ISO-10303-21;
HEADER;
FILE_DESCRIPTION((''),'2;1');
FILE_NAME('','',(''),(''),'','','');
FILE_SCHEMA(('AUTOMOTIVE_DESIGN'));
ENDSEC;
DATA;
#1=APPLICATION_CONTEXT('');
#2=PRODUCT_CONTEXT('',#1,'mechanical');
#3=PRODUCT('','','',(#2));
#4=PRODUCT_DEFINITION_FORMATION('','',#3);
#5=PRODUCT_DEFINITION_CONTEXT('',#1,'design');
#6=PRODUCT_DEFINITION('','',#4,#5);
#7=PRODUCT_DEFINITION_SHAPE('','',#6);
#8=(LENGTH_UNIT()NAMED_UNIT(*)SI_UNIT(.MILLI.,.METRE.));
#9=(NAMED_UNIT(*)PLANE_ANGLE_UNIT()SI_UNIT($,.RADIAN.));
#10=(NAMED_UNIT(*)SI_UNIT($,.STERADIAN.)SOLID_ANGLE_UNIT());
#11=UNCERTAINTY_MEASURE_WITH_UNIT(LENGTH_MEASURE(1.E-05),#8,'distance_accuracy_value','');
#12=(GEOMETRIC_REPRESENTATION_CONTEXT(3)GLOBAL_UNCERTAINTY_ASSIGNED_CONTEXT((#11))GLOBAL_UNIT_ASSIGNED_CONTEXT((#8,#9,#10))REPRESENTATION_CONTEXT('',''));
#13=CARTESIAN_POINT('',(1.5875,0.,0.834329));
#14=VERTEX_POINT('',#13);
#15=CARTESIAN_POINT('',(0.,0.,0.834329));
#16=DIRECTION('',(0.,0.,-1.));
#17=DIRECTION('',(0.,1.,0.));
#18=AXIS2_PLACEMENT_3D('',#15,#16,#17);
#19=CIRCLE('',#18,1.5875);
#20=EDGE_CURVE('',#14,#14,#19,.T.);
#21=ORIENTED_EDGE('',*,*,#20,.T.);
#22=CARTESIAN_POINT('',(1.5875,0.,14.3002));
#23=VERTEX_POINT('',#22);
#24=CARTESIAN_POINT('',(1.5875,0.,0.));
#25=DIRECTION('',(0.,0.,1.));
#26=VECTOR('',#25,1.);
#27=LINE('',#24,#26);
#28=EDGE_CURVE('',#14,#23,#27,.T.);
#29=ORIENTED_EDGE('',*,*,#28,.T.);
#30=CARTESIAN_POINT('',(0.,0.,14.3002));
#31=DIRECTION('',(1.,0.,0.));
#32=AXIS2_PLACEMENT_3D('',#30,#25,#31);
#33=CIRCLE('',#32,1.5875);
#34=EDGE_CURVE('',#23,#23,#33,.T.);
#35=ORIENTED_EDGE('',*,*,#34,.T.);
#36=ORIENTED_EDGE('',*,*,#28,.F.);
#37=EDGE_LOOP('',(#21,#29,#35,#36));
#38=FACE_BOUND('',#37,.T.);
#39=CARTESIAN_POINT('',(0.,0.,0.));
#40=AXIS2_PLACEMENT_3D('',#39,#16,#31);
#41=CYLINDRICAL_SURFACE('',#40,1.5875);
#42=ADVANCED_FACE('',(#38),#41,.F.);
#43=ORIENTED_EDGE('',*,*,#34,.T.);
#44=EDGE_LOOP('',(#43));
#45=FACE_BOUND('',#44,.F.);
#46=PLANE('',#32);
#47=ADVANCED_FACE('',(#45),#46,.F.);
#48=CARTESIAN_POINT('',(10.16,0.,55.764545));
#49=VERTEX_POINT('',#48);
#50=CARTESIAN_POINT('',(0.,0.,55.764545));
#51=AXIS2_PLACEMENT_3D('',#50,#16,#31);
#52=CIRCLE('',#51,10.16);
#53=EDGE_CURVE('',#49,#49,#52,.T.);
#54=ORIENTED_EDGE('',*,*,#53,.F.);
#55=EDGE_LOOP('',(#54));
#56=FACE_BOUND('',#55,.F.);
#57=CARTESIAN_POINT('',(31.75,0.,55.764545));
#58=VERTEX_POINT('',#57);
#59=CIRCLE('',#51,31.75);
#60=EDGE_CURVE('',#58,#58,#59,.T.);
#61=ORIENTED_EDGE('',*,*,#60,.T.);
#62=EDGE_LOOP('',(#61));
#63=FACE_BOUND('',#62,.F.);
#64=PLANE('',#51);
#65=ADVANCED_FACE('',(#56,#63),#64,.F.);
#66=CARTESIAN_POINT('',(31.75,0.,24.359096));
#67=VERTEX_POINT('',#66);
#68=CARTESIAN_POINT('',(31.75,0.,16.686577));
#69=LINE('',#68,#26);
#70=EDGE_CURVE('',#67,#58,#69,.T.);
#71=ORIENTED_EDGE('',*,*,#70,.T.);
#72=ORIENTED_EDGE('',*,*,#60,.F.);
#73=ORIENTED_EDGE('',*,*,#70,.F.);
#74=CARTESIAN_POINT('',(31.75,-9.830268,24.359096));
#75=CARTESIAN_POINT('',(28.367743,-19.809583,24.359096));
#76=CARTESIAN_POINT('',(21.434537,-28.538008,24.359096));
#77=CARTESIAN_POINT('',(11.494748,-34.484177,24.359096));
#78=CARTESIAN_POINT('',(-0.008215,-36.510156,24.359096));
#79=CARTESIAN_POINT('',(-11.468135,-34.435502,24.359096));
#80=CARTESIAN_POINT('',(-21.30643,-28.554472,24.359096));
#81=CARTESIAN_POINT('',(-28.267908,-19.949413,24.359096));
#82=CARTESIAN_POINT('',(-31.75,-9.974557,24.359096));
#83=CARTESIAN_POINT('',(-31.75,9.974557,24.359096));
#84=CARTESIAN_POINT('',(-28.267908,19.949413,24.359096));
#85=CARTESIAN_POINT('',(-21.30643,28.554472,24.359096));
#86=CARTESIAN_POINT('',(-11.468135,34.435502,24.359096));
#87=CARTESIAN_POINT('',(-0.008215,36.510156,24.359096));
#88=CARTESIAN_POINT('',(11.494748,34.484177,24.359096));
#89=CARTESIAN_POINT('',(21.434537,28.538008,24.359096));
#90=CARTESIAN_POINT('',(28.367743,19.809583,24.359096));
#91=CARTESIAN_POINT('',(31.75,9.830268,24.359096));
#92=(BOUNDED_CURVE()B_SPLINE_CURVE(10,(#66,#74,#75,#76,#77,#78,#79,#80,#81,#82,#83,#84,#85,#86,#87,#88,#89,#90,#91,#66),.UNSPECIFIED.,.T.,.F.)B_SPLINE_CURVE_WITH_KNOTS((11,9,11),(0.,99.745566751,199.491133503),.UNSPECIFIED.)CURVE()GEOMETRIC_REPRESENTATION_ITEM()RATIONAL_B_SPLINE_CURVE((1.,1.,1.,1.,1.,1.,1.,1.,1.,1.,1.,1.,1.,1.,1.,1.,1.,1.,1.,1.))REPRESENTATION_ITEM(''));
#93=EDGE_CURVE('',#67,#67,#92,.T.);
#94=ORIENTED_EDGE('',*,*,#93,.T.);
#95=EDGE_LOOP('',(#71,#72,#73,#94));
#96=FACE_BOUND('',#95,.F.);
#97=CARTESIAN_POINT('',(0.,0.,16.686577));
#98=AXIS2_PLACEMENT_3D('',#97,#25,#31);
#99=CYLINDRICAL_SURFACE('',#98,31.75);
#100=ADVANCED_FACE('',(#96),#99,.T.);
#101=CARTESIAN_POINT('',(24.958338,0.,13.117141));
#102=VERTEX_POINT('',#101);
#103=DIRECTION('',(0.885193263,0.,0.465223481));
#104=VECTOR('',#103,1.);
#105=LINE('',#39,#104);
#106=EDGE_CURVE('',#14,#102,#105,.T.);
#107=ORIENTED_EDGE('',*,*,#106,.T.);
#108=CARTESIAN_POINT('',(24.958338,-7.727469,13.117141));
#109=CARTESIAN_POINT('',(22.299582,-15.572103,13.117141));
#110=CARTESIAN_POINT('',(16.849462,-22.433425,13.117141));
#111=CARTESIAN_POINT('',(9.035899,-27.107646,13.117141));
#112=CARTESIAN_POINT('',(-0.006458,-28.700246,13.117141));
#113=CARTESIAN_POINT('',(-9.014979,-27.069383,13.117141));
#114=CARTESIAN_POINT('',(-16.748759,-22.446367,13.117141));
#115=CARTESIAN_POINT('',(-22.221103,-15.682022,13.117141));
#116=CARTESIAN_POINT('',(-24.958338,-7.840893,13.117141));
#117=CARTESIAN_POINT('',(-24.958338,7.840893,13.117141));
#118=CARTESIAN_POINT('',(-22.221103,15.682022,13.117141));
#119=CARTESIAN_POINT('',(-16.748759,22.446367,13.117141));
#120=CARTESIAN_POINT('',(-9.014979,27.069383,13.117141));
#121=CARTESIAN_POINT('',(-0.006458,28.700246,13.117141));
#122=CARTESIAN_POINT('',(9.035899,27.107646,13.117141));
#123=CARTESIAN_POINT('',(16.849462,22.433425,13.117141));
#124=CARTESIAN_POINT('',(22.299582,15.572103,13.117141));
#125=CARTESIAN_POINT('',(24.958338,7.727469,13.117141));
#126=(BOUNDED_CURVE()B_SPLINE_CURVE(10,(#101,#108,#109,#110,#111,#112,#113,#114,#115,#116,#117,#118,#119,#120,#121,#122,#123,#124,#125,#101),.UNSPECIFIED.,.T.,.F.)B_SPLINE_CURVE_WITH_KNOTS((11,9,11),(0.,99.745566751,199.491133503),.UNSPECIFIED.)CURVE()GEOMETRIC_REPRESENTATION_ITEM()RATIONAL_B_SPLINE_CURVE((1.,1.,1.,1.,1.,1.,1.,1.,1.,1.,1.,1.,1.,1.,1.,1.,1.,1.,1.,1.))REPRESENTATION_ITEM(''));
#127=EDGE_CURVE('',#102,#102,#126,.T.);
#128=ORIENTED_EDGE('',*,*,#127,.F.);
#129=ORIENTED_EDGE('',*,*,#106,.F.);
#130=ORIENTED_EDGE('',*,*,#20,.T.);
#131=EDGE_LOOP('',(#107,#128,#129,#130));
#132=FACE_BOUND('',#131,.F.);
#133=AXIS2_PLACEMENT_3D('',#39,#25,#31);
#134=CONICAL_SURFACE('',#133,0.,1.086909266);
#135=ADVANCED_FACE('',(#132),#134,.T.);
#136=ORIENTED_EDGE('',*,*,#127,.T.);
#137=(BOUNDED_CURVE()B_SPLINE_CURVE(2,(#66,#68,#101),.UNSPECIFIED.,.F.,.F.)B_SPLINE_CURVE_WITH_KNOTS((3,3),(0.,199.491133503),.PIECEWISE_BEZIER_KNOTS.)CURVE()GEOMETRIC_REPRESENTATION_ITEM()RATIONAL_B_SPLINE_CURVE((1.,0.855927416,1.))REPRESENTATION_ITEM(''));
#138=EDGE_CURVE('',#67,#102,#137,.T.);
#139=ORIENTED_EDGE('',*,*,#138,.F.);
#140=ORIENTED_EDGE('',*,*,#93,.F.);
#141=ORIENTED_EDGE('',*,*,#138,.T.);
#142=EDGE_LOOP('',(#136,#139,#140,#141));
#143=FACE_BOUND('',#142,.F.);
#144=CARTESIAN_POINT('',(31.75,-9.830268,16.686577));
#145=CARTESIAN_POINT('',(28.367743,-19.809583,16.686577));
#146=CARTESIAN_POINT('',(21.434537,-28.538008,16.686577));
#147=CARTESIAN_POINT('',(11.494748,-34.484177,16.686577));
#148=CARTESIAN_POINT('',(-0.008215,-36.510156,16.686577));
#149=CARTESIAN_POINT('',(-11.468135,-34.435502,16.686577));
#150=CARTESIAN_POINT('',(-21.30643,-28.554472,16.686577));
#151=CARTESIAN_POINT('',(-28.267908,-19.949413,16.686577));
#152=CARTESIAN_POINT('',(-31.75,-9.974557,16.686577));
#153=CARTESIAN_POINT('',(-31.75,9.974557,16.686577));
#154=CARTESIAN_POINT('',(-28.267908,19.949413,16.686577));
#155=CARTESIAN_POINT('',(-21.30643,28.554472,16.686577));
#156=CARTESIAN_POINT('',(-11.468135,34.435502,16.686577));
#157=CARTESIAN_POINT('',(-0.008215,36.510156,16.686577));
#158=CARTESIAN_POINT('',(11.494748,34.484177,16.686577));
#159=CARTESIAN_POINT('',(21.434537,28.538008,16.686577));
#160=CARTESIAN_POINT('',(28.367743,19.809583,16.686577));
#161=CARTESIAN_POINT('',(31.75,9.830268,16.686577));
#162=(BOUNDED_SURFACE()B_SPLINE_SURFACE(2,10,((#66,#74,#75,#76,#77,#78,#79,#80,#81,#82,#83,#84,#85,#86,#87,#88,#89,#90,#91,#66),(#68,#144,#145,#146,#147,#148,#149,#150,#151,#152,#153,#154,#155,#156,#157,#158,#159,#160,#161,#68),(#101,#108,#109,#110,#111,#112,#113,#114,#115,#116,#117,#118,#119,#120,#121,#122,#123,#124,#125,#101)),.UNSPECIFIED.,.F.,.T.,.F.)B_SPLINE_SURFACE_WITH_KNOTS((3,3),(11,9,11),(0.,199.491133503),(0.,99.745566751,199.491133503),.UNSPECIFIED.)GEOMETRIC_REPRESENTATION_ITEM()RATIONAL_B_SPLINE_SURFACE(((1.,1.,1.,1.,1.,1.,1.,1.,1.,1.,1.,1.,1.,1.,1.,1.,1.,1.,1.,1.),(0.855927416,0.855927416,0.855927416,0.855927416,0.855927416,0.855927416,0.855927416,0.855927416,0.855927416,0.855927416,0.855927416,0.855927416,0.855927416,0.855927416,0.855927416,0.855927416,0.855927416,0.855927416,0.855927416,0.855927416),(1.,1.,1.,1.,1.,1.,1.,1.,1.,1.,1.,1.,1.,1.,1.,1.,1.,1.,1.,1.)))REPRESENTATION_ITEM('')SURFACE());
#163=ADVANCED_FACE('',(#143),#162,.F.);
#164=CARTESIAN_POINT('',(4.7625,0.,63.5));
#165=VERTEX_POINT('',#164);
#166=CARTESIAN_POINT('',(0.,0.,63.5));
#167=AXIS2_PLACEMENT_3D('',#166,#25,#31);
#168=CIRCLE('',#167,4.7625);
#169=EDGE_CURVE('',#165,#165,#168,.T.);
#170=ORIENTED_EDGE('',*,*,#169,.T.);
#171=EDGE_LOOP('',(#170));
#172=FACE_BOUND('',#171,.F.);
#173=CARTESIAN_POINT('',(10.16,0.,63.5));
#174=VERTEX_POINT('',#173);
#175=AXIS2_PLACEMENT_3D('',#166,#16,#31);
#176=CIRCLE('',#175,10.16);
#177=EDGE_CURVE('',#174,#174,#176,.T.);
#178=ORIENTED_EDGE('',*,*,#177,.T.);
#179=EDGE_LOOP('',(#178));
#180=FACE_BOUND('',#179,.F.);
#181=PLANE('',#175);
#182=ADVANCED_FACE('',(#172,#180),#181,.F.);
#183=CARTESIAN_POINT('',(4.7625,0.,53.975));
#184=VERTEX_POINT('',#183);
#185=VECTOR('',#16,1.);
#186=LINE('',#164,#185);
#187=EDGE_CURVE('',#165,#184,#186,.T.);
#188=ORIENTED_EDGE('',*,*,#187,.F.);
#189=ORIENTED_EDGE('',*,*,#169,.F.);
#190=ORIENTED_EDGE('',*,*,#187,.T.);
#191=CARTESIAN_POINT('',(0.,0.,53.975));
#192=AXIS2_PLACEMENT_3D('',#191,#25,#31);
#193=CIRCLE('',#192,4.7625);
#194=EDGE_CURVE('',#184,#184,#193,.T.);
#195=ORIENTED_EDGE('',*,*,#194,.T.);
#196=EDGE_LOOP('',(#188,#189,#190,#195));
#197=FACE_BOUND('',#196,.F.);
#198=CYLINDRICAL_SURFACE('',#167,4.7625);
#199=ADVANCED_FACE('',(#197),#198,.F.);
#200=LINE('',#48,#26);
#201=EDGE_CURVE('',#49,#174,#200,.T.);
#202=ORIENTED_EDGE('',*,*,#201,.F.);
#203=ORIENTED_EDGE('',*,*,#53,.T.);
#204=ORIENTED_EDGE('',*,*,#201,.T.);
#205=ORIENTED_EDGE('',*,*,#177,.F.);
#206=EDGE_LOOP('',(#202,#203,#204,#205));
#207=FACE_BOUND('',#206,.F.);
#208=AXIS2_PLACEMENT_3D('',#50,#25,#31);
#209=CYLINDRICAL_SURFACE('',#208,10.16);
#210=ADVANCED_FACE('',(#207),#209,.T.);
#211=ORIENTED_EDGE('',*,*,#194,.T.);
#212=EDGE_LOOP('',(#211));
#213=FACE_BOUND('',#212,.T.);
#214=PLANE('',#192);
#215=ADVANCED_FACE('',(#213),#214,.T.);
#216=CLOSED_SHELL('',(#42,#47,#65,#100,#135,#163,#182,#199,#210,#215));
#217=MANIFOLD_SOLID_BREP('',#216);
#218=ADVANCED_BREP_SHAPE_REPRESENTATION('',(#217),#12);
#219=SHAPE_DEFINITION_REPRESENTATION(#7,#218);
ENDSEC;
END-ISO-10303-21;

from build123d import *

# Parameters (mm, degrees)
F2_R     = 4.7625
F3_DEPTH = 9.525
F5_R     = 12.7
F4_R     = 1.5875
F6_DEPTH = 14.3002


with BuildPart() as f1:
    # F0 (on Front) → F1 (revolve)
    with BuildSketch(Plane.XZ):
        Polygon((10.16, 55.764545), (10.16, 63.5), (0, 63.5), (0, 0), (31.75, 16.686577), (31.75, 28.86522), (31.75, 46.204952), (31.75, 55.764545), align=None)
    revolve(axis=Axis((0, 0, 31.75), (0, 0, -1)))

    # F2 (on face) → F3 (cut)
    with BuildSketch(Plane.XY.offset(63.5)):
        Circle(F2_R)
    extrude(amount=-F3_DEPTH, mode=Mode.SUBTRACT)

    # F5
    f5_edges = [f1.edges().sort_by_distance(p)[0] for p in [
        (-31.75, 0, 16.686577),
    ]]
    fillet(f5_edges, radius=F5_R)

    # F4 (on Top) → F6 (cut)
    with BuildSketch(Plane.XY):
        Circle(F4_R)
    extrude(amount=F6_DEPTH, mode=Mode.SUBTRACT)


solid = f1.part
